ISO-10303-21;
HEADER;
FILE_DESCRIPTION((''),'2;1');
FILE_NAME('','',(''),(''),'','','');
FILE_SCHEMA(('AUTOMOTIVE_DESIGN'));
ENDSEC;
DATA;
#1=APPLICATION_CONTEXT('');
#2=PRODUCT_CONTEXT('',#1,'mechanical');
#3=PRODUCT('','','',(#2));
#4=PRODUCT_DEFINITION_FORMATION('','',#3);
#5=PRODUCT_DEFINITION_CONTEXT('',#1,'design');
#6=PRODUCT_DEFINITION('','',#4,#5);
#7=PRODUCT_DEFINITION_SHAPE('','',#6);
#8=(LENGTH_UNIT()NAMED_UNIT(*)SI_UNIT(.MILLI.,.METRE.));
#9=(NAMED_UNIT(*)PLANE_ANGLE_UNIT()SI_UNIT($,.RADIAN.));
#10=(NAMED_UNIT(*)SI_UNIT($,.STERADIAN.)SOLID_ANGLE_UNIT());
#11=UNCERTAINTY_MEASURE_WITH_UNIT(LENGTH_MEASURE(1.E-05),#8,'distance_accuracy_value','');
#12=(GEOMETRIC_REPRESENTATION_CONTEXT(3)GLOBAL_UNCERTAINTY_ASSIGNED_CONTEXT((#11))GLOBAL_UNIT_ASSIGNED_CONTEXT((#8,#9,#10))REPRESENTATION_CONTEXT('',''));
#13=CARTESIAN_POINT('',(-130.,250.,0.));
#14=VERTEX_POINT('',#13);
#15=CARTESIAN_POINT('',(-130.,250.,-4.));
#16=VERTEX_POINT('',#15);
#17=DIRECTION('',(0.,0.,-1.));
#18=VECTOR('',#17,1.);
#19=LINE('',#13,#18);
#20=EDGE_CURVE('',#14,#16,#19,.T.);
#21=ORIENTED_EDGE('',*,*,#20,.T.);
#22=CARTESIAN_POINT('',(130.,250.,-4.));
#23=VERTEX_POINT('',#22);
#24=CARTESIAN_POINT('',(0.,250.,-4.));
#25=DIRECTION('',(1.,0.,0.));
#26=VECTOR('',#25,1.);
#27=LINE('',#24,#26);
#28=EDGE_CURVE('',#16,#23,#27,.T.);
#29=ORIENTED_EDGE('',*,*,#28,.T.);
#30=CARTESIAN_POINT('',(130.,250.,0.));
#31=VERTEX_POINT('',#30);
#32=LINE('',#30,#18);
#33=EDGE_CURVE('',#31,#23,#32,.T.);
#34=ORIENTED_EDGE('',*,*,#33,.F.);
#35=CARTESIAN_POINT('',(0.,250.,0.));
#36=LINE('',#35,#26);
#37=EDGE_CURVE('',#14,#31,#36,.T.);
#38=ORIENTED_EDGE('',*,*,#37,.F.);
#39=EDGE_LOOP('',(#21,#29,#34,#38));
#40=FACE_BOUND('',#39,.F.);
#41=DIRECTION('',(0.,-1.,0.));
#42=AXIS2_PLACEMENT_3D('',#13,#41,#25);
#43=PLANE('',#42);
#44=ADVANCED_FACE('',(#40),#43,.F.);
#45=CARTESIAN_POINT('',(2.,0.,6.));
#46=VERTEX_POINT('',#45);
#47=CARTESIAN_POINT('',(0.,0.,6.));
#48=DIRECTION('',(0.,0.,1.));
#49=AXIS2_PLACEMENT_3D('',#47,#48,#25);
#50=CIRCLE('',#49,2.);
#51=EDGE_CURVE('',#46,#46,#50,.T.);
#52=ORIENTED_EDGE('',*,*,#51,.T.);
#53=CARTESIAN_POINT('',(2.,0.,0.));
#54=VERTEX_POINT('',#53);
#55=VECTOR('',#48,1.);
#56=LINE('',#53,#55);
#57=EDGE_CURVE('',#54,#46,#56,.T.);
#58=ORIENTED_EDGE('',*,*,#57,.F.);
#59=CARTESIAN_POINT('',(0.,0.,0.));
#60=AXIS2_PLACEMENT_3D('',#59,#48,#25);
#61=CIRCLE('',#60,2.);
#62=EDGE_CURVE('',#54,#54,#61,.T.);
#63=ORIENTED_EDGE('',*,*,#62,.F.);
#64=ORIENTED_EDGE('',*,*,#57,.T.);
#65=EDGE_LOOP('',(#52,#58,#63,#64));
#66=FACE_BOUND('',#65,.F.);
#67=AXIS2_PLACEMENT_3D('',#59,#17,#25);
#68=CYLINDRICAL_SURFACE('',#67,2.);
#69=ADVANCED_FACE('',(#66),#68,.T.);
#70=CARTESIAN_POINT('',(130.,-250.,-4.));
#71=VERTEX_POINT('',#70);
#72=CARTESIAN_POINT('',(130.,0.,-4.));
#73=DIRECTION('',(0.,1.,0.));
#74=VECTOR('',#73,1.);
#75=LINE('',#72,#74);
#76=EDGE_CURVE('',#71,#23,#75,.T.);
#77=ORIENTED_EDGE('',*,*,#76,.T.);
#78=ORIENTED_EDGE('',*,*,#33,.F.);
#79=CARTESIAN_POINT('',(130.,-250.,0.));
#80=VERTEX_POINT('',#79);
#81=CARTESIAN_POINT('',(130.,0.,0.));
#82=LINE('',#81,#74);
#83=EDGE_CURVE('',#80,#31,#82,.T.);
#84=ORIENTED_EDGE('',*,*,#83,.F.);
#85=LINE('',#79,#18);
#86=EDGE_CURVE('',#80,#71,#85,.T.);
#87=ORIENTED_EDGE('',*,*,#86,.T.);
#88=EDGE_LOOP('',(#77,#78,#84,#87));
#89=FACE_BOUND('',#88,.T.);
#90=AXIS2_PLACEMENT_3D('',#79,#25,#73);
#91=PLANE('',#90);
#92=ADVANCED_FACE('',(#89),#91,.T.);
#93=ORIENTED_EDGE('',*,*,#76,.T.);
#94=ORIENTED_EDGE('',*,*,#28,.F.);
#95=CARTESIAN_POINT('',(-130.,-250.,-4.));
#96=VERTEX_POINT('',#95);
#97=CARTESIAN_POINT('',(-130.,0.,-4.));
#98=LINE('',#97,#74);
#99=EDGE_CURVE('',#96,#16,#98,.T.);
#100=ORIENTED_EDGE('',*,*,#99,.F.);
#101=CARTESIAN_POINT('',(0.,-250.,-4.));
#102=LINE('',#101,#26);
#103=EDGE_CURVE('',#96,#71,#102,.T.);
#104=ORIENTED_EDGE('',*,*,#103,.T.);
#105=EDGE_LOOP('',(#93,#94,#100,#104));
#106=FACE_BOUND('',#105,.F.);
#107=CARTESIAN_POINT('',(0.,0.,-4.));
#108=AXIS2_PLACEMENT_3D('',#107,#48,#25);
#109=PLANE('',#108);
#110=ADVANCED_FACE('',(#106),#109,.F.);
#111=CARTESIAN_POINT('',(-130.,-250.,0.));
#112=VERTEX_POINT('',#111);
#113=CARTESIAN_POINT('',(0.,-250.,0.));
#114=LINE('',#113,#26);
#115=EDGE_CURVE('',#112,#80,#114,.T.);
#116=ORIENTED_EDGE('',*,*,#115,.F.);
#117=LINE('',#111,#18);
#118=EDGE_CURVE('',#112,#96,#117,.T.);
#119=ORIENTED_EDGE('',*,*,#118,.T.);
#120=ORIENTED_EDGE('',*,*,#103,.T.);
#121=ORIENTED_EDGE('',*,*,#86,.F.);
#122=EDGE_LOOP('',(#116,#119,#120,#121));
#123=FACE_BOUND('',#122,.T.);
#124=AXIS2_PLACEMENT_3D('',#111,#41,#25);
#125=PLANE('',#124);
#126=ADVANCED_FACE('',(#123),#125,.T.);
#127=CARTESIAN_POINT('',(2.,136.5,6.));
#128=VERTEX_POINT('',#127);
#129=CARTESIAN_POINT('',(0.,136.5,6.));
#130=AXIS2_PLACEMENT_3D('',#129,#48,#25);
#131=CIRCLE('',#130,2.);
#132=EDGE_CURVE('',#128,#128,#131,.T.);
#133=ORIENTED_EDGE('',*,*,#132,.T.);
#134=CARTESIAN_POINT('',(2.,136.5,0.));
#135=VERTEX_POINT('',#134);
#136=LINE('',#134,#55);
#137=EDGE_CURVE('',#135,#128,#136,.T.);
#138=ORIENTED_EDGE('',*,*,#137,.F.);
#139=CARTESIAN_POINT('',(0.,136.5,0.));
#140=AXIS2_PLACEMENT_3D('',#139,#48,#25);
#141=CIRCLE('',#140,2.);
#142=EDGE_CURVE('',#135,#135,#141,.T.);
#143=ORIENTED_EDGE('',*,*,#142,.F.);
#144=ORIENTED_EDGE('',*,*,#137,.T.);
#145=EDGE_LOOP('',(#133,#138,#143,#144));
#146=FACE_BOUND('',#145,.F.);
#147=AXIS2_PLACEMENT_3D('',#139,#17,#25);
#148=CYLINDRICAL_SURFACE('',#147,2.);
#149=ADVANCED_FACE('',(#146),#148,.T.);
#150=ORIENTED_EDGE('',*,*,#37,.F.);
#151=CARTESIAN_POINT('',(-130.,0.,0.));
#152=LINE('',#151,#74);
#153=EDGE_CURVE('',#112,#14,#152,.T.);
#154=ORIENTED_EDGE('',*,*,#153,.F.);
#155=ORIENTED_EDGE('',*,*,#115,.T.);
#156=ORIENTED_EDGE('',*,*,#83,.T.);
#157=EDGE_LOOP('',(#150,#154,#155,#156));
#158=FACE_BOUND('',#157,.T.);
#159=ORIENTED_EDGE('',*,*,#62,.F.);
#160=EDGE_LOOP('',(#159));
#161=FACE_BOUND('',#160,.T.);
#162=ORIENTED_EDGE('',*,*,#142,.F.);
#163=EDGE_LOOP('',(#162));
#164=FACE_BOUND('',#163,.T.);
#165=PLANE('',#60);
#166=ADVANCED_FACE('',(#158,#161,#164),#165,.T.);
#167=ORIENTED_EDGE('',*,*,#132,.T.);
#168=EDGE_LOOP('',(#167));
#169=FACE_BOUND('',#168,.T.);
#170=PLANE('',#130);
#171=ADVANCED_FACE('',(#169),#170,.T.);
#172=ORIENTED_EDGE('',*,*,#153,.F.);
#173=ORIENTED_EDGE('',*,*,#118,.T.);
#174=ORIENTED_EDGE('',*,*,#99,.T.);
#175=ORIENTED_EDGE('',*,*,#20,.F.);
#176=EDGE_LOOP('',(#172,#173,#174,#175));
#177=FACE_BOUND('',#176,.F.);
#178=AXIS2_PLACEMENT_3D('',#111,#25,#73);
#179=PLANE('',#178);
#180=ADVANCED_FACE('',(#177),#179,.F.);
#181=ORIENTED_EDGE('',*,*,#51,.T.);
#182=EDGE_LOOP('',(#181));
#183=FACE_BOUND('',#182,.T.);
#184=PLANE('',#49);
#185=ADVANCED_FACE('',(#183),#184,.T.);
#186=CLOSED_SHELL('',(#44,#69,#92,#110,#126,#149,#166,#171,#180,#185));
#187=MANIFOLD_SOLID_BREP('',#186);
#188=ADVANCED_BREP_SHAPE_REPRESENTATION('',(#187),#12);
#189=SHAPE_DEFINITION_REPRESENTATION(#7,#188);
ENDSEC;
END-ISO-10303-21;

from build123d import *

# Parameters (mm, degrees)
F0_W     = 260
F0_H     = 500
F1_DEPTH = 4
F2_R     = 2
F3_DEPTH = 6


with BuildPart() as f1:
    # F0 (on Top) → F1 (new body)
    with BuildSketch(Plane.XY):
        Rectangle(F0_W, F0_H)
    extrude(amount=-F1_DEPTH)

    # F2 (on face) → F3 (join)
    with BuildSketch(Plane.XY):
        Circle(F2_R)
        with Locations((0, 136.5)):
            Circle(F2_R)
    extrude(amount=F3_DEPTH)


solid = f1.part
